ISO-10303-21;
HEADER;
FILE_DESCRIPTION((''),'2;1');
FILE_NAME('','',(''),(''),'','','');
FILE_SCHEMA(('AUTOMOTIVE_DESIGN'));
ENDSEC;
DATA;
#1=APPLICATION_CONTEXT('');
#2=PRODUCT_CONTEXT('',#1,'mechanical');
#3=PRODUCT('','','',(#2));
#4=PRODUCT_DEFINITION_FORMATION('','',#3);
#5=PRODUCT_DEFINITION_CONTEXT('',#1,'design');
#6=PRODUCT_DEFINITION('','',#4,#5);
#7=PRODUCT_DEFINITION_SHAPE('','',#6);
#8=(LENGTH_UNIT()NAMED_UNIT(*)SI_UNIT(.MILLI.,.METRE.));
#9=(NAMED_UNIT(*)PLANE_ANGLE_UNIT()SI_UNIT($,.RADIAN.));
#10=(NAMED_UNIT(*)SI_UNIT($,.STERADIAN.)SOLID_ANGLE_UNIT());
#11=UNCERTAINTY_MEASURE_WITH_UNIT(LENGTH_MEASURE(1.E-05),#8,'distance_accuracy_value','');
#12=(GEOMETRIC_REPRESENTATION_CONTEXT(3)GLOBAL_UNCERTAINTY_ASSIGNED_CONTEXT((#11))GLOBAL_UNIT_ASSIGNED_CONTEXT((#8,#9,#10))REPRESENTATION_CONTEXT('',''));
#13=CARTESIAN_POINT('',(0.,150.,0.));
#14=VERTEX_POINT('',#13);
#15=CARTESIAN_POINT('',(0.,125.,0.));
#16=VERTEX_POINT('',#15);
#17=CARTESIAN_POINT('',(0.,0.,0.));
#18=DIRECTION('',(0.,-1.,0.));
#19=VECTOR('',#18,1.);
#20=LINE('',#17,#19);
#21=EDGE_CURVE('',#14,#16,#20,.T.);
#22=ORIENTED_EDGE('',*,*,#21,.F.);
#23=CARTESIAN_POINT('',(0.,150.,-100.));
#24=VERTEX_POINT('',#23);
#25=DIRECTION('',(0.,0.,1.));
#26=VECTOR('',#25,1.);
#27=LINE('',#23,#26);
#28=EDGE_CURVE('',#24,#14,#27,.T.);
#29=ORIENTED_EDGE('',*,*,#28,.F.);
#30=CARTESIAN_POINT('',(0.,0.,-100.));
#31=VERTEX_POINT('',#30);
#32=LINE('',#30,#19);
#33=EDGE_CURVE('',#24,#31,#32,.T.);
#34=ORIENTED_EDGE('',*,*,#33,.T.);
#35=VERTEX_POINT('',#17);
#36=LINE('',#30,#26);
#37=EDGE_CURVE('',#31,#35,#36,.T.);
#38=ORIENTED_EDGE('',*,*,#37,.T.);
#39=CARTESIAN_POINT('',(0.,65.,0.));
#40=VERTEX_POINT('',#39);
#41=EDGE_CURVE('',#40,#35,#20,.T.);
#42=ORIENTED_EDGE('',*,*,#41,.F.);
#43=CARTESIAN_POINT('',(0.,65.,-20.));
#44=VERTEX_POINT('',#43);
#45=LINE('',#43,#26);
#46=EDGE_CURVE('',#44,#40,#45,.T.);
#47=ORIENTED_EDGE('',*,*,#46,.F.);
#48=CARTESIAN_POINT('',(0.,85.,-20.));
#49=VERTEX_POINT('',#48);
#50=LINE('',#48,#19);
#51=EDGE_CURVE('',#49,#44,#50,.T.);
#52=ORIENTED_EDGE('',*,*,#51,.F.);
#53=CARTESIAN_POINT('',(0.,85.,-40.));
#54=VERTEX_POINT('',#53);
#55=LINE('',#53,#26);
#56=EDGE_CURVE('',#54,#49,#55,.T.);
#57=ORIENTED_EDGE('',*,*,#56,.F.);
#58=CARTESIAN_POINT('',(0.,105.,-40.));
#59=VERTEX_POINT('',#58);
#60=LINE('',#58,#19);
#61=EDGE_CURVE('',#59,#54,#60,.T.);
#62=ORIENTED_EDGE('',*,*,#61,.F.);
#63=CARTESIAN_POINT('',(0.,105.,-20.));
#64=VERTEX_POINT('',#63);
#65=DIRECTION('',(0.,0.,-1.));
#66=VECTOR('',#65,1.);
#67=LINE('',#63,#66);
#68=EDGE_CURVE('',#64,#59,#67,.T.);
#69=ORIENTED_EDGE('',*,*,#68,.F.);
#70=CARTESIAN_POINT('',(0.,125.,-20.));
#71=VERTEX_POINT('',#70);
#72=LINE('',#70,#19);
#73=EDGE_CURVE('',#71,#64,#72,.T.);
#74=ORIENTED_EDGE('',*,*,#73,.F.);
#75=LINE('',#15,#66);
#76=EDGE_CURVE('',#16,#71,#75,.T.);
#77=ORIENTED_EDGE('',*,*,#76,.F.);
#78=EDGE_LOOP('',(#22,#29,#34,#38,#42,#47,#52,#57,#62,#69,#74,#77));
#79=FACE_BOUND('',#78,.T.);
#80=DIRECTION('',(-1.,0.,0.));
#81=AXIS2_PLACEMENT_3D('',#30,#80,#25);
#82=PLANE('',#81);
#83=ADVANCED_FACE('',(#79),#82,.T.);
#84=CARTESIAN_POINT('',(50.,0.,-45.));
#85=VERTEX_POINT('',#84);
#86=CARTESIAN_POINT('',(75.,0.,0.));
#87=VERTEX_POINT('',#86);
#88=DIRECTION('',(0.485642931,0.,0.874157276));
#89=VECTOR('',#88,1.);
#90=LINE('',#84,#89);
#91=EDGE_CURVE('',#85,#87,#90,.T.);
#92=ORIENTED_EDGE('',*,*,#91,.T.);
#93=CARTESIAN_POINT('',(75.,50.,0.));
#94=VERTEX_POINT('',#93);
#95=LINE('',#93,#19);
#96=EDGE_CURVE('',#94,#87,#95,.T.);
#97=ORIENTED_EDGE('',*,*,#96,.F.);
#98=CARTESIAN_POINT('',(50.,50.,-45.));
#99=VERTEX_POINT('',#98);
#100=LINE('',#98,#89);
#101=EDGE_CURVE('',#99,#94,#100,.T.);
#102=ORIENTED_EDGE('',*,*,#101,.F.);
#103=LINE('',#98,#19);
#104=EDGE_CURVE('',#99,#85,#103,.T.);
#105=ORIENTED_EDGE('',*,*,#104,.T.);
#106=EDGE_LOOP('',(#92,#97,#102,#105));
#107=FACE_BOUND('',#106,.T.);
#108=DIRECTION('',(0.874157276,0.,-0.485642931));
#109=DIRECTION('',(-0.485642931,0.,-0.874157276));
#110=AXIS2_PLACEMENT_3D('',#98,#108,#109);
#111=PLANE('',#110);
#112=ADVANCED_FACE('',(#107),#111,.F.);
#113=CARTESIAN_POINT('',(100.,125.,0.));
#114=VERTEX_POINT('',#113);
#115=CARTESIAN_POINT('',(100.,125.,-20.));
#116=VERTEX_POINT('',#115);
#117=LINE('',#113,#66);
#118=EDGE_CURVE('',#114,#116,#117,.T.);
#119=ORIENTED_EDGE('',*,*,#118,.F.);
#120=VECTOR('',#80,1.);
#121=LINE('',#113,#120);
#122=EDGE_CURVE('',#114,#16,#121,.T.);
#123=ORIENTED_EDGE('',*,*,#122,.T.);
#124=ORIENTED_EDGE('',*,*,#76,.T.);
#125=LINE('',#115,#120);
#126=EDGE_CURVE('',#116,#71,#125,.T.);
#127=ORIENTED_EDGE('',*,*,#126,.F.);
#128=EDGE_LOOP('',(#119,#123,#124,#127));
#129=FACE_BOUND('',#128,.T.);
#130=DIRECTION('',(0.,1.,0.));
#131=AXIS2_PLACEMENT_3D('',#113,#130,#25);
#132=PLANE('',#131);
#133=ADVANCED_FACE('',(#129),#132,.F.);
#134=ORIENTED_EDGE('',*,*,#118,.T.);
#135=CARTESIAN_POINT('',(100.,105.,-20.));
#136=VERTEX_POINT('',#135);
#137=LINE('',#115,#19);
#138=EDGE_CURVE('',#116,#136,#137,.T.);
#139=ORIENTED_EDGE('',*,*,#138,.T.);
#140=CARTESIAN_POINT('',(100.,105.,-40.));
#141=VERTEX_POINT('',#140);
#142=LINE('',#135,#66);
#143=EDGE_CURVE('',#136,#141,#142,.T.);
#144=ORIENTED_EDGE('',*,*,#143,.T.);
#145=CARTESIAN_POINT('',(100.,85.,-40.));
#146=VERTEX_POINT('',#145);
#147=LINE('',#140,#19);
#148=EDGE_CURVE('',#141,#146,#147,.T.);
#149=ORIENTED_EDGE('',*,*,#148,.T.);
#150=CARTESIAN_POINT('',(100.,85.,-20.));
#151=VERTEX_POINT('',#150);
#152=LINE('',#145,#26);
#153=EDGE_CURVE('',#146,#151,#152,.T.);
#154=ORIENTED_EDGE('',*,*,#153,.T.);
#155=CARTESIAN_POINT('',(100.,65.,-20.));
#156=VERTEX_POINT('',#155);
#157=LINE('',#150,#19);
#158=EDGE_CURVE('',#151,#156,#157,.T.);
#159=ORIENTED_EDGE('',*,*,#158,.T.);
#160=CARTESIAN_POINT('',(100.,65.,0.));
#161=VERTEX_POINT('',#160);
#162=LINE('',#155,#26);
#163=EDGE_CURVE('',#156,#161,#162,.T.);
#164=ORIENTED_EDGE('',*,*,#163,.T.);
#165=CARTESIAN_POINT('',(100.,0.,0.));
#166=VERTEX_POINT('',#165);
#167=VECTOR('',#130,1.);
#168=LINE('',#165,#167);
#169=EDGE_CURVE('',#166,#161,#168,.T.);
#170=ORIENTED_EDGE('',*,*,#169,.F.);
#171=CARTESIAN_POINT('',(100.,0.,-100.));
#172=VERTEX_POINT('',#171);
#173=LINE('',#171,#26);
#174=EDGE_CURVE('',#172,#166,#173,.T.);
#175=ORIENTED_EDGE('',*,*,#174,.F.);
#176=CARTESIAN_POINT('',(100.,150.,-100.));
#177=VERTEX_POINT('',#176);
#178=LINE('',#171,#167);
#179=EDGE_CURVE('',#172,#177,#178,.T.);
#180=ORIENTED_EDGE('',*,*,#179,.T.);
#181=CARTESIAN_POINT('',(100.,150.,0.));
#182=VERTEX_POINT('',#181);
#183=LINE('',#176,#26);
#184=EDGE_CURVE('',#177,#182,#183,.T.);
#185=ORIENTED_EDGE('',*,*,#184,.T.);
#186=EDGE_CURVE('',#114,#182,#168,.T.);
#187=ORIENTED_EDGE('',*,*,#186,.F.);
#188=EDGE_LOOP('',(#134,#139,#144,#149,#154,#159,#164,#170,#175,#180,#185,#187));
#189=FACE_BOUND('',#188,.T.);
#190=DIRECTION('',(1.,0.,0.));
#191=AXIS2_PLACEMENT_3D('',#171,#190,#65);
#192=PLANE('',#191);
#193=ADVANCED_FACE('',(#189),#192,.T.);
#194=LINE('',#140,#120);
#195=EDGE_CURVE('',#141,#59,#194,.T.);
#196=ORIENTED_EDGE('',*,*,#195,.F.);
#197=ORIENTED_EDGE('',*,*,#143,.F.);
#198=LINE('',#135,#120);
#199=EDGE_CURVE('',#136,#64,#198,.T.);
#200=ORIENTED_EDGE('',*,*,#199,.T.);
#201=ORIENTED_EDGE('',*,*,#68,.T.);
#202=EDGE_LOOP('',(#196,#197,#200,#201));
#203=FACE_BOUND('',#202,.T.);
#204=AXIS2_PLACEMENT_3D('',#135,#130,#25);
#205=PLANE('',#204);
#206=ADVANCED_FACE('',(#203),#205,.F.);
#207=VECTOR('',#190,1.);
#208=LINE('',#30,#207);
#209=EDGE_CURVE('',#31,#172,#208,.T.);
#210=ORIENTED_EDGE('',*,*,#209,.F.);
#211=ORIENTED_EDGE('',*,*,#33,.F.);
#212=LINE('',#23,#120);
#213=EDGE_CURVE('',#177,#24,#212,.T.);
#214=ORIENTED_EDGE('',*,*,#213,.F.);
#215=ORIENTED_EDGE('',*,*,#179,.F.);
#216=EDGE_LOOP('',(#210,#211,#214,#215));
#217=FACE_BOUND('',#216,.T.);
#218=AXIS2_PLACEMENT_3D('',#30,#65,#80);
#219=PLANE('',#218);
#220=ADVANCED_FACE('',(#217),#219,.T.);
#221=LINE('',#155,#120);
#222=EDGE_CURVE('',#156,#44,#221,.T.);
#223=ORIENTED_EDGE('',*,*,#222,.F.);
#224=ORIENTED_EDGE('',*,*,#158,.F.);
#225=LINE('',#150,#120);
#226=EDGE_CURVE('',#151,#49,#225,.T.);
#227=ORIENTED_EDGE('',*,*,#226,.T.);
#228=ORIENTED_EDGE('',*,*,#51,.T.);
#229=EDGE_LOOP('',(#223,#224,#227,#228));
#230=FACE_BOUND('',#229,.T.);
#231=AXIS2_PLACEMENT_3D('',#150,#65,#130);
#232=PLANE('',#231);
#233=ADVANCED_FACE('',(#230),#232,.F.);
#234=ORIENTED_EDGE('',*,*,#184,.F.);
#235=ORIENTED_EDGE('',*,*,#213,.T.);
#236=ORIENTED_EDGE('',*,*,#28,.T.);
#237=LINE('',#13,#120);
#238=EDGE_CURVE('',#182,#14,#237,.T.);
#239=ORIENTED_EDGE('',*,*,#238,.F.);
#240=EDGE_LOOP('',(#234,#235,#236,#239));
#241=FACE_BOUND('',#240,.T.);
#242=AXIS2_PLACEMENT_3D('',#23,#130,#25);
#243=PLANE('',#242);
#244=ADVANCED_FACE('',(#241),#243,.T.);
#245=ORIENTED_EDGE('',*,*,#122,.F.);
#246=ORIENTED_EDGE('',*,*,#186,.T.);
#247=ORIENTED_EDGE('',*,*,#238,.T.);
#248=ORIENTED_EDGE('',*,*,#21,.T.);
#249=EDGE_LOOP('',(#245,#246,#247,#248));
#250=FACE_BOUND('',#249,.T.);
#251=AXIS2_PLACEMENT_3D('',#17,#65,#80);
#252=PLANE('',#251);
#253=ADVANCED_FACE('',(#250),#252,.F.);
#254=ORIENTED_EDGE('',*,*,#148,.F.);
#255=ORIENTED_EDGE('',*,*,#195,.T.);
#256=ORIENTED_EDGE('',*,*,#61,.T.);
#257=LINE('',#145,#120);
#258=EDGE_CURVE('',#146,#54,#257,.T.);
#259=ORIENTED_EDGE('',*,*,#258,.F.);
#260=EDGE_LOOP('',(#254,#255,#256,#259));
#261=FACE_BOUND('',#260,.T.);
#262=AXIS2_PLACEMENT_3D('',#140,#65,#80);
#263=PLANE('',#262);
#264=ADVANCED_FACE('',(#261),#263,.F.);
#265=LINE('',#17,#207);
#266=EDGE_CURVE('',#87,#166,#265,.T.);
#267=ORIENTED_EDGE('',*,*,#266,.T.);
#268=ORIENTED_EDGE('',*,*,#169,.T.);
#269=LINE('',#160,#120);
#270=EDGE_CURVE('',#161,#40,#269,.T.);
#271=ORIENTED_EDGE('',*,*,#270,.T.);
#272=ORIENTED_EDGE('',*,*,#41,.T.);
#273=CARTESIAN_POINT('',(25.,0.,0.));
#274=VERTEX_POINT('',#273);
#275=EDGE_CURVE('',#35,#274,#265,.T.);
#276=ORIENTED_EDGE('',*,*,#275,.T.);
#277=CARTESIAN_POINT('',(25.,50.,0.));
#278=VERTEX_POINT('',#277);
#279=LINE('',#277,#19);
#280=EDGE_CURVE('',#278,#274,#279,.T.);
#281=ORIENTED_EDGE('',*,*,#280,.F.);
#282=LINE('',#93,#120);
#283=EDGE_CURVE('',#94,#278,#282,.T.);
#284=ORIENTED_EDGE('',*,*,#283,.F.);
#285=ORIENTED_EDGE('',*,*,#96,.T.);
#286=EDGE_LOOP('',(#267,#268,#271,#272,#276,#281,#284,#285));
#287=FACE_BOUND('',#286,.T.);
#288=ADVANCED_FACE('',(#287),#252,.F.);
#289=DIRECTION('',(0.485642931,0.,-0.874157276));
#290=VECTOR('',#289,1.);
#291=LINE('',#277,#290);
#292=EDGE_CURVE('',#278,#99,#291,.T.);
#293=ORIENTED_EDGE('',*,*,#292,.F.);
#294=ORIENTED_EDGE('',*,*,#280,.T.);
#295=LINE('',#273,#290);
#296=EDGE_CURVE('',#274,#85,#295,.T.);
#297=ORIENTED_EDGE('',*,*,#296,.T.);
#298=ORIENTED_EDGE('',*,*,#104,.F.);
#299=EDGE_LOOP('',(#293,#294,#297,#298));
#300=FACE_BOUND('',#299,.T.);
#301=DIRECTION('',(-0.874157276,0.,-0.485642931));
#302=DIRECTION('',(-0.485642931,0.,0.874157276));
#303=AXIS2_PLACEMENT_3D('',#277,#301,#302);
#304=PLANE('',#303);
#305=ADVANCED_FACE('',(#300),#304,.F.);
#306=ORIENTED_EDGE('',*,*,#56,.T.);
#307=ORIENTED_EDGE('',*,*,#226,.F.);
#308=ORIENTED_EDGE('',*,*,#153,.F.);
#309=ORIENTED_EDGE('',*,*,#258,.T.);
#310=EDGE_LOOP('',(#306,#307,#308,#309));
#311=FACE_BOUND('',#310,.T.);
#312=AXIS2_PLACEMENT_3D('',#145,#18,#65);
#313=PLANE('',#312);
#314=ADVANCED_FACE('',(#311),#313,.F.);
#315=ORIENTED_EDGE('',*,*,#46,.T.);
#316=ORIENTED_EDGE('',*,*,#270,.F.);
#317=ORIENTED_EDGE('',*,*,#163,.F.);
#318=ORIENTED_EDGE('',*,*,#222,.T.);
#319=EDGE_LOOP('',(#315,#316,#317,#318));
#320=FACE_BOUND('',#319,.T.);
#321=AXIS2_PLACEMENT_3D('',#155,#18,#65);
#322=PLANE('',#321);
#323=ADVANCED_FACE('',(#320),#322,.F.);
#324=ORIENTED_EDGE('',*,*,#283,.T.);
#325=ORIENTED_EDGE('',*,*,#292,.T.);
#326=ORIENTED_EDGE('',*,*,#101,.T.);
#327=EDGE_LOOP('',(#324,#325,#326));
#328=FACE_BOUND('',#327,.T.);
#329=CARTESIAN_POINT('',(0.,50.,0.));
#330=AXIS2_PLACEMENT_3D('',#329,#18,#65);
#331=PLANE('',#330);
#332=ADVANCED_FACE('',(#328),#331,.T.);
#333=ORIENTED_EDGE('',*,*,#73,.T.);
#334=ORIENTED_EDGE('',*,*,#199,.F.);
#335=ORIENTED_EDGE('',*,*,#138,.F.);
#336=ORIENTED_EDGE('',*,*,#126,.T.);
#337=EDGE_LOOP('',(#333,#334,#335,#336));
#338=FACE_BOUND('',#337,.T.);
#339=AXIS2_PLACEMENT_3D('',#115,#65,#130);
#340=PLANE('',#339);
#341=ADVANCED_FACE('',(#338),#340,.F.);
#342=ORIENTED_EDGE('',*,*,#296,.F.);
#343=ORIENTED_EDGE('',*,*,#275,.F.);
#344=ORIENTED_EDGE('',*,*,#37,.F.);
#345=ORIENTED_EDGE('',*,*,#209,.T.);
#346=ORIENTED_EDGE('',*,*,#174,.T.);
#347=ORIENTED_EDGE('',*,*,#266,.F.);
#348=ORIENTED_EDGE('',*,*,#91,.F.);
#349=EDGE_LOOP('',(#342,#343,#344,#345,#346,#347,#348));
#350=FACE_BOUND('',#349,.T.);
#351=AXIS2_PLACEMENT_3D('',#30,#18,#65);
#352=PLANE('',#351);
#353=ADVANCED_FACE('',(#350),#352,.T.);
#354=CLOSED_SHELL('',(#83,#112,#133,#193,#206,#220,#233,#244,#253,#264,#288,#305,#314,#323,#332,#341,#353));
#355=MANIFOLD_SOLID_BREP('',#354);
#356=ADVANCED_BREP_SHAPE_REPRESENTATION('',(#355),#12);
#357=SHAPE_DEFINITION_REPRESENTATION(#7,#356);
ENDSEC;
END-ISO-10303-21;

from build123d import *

# Parameters (mm, degrees)
SKETCH1_W           = 100
SKETCH1_H           = 150
BOSS_EXTRUDE1_DEPTH = 100
CUT_EXTRUDE1_DEPTH  = 50
CUT_EXTRUDE2_DEPTH  = 207.155281281


with BuildPart() as part:
    # Sketch1 → Boss-Extrude1 (new body)
    with BuildSketch(Plane.XY):
        with Locations((50, 75)):
            Rectangle(SKETCH1_W, SKETCH1_H)
    extrude(amount=-BOSS_EXTRUDE1_DEPTH)

    # Sketch2 → Cut-Extrude1 (cut)
    with BuildSketch(Plane.XZ):
        Polygon((25, 0), (50, -45), (75, 0), align=None)
    extrude(amount=-CUT_EXTRUDE1_DEPTH, mode=Mode.SUBTRACT)

    # Sketch3 → Cut-Extrude2 (cut, through all)
    with BuildSketch(Plane.ZY):
        Polygon((0, 125), (-20, 125), (-20, 105), (-40, 105), (-40, 85), (-20, 85), (-20, 65), (0, 65), align=None)
    extrude(amount=-CUT_EXTRUDE2_DEPTH, mode=Mode.SUBTRACT)


solid = part.part
